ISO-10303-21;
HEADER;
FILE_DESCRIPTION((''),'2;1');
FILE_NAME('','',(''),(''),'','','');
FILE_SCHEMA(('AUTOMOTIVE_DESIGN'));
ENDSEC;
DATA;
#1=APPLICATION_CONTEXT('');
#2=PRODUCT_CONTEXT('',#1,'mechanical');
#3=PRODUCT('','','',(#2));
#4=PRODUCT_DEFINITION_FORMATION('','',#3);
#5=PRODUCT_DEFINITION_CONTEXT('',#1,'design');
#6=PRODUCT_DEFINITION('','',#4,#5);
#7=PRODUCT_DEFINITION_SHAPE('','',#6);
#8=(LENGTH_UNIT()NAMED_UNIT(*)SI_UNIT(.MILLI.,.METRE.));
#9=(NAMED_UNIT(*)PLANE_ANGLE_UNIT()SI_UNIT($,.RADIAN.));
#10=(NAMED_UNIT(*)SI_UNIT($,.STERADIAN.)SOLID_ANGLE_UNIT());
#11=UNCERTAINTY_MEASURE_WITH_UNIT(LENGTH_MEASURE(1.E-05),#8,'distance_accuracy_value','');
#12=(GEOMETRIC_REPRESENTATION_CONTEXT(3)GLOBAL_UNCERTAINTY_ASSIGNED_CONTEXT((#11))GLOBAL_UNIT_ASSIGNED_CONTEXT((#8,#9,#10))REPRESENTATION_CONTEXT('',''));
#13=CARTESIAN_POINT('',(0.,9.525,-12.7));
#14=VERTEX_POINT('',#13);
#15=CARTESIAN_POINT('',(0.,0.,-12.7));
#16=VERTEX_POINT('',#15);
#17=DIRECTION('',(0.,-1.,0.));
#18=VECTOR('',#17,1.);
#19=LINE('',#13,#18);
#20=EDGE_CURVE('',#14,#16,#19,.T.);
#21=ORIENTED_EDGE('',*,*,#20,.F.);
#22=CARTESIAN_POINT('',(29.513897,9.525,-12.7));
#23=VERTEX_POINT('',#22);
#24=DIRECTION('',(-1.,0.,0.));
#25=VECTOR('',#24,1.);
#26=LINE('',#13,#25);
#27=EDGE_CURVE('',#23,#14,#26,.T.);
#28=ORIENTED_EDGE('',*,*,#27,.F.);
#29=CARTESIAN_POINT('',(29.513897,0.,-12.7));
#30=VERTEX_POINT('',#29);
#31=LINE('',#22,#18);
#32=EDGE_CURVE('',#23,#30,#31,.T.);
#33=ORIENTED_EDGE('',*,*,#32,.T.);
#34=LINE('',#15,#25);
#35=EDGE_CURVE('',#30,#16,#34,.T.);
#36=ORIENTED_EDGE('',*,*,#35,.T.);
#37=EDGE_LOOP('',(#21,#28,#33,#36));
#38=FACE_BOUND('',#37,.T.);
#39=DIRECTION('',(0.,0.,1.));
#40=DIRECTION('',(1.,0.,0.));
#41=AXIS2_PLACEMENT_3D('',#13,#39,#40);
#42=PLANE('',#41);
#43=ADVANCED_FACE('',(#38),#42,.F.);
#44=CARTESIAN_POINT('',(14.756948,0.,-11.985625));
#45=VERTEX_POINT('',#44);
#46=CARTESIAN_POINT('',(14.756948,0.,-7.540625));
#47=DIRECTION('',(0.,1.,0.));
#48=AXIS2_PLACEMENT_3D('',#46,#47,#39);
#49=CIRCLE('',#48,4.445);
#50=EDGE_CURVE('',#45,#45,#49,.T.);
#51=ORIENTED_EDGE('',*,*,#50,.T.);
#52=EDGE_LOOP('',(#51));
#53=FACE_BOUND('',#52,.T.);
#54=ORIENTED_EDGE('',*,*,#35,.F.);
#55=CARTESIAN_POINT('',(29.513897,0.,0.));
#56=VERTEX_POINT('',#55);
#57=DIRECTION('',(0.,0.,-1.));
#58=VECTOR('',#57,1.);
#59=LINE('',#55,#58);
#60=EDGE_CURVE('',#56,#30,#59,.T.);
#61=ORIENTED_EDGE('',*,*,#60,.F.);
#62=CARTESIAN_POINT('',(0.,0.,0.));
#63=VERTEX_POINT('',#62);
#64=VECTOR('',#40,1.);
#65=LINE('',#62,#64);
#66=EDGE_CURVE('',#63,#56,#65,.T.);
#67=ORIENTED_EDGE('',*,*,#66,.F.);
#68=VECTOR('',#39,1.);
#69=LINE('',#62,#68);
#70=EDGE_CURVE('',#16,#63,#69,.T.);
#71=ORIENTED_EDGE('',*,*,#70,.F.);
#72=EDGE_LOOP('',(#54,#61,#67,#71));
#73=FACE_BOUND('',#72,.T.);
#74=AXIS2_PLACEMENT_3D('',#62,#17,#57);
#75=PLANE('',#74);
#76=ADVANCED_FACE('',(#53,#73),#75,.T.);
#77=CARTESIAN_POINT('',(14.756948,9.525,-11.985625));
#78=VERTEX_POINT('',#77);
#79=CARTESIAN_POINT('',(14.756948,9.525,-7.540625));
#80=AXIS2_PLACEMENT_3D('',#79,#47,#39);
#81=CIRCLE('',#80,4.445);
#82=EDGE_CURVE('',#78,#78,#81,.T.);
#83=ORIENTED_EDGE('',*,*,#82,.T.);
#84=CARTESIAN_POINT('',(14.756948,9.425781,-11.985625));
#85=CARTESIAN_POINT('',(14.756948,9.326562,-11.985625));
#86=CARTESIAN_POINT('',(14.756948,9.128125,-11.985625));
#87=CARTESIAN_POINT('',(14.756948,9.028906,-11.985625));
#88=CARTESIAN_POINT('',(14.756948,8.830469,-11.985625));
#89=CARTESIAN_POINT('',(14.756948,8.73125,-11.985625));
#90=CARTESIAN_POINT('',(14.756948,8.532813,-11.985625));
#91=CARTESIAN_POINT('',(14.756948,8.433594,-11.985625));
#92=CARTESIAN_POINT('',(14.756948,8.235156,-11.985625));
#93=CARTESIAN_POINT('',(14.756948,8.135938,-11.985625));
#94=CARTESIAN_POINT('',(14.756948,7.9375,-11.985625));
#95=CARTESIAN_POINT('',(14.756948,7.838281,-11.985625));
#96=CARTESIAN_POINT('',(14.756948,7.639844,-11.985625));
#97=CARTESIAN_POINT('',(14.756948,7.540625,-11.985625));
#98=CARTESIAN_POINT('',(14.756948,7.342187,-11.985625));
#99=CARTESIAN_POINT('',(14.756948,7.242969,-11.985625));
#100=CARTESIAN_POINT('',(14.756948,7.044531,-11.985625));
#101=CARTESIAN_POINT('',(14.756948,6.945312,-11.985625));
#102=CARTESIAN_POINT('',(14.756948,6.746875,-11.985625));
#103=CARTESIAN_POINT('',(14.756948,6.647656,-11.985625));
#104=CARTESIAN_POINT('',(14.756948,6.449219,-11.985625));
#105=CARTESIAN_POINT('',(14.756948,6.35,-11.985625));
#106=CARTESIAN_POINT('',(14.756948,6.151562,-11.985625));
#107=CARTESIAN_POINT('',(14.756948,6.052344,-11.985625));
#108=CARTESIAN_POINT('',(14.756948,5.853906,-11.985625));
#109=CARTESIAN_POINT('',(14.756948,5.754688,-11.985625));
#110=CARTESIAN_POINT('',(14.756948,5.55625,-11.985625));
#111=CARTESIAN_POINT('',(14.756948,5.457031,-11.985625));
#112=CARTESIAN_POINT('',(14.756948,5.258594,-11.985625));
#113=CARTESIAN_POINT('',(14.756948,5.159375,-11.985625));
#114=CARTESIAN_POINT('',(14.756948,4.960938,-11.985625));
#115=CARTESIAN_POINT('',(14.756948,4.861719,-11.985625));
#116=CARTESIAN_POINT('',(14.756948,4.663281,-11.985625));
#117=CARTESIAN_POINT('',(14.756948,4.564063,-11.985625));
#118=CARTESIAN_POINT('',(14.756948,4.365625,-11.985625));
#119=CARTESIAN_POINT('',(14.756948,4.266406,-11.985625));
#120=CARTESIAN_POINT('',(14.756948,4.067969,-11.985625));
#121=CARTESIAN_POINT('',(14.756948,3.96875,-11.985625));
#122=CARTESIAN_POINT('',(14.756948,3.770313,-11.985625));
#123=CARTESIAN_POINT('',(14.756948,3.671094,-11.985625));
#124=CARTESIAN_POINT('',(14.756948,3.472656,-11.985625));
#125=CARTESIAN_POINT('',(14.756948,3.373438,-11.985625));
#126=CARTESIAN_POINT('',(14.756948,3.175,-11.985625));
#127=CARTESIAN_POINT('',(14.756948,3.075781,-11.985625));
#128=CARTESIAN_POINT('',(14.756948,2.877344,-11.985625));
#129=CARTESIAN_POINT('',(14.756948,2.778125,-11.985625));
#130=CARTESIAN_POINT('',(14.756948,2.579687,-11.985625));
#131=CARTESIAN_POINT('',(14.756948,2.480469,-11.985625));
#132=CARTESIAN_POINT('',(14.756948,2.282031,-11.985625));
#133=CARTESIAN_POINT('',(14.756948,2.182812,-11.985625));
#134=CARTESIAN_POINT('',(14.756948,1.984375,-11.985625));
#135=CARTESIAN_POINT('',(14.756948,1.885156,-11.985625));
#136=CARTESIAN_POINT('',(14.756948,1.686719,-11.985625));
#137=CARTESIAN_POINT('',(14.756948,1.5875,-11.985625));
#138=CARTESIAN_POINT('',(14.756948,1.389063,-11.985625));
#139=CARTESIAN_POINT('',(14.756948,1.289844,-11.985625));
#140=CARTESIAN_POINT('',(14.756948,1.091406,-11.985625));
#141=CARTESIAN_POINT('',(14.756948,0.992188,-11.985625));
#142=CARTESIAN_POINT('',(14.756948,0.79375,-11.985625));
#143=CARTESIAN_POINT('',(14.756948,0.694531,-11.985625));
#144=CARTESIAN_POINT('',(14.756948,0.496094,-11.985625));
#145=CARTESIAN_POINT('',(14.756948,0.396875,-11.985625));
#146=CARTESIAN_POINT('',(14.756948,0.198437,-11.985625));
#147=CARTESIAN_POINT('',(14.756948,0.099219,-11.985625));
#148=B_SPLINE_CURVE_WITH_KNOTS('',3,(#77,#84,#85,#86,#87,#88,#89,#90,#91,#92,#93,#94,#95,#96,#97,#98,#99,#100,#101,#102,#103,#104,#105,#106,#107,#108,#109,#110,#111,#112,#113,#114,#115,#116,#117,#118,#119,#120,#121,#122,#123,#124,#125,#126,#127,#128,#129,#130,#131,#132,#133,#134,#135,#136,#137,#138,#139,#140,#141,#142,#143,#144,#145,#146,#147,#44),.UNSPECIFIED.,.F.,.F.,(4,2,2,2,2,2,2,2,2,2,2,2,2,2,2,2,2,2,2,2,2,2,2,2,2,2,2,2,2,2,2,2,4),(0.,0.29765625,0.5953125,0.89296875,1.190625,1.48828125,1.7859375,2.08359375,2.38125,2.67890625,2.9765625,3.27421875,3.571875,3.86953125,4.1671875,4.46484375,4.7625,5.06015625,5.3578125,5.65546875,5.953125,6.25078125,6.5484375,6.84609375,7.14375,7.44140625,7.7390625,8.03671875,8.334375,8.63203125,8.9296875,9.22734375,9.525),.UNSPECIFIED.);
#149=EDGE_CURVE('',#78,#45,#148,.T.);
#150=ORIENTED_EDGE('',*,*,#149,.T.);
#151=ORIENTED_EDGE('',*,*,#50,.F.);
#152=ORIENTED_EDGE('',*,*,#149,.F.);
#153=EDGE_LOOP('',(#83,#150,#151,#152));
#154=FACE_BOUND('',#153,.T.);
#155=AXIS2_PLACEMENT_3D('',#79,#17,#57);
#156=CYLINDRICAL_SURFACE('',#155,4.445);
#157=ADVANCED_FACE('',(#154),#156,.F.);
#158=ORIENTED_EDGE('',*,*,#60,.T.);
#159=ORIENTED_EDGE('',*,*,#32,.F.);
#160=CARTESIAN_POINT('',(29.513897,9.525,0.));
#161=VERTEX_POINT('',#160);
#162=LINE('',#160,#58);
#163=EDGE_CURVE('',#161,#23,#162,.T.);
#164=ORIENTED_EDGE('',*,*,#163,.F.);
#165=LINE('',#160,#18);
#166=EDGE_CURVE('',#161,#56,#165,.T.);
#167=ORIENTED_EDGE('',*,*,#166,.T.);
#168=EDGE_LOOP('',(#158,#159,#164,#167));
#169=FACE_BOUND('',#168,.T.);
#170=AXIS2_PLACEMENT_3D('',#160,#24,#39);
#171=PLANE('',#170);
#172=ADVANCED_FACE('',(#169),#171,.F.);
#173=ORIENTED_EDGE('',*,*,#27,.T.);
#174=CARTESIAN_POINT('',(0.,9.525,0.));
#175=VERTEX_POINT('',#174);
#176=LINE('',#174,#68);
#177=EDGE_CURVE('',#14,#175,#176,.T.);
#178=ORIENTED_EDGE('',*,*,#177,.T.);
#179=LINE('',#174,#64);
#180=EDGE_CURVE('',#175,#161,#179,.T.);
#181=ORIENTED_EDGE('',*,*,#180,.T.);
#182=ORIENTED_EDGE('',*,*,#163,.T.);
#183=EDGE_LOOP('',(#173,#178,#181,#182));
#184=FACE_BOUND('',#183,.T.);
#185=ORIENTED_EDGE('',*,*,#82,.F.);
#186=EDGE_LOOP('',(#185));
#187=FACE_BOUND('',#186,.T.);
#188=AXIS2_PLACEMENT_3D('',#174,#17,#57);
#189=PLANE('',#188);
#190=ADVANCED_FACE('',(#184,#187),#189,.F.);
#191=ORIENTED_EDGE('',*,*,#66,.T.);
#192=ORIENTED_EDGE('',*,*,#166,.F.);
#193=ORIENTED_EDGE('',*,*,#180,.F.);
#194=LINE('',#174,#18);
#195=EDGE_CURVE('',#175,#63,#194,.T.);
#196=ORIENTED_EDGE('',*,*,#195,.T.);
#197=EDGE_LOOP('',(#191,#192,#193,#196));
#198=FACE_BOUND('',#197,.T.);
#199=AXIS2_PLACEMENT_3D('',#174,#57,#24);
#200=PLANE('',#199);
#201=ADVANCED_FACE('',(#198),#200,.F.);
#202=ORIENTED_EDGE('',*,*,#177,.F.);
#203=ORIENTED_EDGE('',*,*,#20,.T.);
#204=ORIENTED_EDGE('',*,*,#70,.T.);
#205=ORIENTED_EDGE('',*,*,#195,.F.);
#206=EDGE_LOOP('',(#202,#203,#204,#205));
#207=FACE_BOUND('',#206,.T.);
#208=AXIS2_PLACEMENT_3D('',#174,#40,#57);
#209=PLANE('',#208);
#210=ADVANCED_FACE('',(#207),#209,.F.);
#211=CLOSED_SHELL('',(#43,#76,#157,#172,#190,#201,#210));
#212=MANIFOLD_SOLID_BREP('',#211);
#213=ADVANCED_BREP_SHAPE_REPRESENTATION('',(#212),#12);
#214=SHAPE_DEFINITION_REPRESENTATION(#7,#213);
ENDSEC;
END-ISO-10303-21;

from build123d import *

# Parameters (mm, degrees)
SKETCH1_W           = 29.513896991
SKETCH1_H           = 12.7
SKETCH1_R           = 4.445
BOSS_EXTRUDE1_DEPTH = 9.525


with BuildPart() as part:
    # Sketch1 → Boss-Extrude1 (new body)
    with BuildSketch(Plane(origin=(0, 0, 0), x_dir=(1, 0, 0), z_dir=(0, 1, 0))):
        with Locations((14.756948496, 6.35)):
            Rectangle(SKETCH1_W, SKETCH1_H)
        with Locations(Location((14.756948496, 7.540625, 0), (0, 0, 90))):
            Circle(SKETCH1_R, mode=Mode.SUBTRACT)
    extrude(amount=BOSS_EXTRUDE1_DEPTH)


solid = part.part
